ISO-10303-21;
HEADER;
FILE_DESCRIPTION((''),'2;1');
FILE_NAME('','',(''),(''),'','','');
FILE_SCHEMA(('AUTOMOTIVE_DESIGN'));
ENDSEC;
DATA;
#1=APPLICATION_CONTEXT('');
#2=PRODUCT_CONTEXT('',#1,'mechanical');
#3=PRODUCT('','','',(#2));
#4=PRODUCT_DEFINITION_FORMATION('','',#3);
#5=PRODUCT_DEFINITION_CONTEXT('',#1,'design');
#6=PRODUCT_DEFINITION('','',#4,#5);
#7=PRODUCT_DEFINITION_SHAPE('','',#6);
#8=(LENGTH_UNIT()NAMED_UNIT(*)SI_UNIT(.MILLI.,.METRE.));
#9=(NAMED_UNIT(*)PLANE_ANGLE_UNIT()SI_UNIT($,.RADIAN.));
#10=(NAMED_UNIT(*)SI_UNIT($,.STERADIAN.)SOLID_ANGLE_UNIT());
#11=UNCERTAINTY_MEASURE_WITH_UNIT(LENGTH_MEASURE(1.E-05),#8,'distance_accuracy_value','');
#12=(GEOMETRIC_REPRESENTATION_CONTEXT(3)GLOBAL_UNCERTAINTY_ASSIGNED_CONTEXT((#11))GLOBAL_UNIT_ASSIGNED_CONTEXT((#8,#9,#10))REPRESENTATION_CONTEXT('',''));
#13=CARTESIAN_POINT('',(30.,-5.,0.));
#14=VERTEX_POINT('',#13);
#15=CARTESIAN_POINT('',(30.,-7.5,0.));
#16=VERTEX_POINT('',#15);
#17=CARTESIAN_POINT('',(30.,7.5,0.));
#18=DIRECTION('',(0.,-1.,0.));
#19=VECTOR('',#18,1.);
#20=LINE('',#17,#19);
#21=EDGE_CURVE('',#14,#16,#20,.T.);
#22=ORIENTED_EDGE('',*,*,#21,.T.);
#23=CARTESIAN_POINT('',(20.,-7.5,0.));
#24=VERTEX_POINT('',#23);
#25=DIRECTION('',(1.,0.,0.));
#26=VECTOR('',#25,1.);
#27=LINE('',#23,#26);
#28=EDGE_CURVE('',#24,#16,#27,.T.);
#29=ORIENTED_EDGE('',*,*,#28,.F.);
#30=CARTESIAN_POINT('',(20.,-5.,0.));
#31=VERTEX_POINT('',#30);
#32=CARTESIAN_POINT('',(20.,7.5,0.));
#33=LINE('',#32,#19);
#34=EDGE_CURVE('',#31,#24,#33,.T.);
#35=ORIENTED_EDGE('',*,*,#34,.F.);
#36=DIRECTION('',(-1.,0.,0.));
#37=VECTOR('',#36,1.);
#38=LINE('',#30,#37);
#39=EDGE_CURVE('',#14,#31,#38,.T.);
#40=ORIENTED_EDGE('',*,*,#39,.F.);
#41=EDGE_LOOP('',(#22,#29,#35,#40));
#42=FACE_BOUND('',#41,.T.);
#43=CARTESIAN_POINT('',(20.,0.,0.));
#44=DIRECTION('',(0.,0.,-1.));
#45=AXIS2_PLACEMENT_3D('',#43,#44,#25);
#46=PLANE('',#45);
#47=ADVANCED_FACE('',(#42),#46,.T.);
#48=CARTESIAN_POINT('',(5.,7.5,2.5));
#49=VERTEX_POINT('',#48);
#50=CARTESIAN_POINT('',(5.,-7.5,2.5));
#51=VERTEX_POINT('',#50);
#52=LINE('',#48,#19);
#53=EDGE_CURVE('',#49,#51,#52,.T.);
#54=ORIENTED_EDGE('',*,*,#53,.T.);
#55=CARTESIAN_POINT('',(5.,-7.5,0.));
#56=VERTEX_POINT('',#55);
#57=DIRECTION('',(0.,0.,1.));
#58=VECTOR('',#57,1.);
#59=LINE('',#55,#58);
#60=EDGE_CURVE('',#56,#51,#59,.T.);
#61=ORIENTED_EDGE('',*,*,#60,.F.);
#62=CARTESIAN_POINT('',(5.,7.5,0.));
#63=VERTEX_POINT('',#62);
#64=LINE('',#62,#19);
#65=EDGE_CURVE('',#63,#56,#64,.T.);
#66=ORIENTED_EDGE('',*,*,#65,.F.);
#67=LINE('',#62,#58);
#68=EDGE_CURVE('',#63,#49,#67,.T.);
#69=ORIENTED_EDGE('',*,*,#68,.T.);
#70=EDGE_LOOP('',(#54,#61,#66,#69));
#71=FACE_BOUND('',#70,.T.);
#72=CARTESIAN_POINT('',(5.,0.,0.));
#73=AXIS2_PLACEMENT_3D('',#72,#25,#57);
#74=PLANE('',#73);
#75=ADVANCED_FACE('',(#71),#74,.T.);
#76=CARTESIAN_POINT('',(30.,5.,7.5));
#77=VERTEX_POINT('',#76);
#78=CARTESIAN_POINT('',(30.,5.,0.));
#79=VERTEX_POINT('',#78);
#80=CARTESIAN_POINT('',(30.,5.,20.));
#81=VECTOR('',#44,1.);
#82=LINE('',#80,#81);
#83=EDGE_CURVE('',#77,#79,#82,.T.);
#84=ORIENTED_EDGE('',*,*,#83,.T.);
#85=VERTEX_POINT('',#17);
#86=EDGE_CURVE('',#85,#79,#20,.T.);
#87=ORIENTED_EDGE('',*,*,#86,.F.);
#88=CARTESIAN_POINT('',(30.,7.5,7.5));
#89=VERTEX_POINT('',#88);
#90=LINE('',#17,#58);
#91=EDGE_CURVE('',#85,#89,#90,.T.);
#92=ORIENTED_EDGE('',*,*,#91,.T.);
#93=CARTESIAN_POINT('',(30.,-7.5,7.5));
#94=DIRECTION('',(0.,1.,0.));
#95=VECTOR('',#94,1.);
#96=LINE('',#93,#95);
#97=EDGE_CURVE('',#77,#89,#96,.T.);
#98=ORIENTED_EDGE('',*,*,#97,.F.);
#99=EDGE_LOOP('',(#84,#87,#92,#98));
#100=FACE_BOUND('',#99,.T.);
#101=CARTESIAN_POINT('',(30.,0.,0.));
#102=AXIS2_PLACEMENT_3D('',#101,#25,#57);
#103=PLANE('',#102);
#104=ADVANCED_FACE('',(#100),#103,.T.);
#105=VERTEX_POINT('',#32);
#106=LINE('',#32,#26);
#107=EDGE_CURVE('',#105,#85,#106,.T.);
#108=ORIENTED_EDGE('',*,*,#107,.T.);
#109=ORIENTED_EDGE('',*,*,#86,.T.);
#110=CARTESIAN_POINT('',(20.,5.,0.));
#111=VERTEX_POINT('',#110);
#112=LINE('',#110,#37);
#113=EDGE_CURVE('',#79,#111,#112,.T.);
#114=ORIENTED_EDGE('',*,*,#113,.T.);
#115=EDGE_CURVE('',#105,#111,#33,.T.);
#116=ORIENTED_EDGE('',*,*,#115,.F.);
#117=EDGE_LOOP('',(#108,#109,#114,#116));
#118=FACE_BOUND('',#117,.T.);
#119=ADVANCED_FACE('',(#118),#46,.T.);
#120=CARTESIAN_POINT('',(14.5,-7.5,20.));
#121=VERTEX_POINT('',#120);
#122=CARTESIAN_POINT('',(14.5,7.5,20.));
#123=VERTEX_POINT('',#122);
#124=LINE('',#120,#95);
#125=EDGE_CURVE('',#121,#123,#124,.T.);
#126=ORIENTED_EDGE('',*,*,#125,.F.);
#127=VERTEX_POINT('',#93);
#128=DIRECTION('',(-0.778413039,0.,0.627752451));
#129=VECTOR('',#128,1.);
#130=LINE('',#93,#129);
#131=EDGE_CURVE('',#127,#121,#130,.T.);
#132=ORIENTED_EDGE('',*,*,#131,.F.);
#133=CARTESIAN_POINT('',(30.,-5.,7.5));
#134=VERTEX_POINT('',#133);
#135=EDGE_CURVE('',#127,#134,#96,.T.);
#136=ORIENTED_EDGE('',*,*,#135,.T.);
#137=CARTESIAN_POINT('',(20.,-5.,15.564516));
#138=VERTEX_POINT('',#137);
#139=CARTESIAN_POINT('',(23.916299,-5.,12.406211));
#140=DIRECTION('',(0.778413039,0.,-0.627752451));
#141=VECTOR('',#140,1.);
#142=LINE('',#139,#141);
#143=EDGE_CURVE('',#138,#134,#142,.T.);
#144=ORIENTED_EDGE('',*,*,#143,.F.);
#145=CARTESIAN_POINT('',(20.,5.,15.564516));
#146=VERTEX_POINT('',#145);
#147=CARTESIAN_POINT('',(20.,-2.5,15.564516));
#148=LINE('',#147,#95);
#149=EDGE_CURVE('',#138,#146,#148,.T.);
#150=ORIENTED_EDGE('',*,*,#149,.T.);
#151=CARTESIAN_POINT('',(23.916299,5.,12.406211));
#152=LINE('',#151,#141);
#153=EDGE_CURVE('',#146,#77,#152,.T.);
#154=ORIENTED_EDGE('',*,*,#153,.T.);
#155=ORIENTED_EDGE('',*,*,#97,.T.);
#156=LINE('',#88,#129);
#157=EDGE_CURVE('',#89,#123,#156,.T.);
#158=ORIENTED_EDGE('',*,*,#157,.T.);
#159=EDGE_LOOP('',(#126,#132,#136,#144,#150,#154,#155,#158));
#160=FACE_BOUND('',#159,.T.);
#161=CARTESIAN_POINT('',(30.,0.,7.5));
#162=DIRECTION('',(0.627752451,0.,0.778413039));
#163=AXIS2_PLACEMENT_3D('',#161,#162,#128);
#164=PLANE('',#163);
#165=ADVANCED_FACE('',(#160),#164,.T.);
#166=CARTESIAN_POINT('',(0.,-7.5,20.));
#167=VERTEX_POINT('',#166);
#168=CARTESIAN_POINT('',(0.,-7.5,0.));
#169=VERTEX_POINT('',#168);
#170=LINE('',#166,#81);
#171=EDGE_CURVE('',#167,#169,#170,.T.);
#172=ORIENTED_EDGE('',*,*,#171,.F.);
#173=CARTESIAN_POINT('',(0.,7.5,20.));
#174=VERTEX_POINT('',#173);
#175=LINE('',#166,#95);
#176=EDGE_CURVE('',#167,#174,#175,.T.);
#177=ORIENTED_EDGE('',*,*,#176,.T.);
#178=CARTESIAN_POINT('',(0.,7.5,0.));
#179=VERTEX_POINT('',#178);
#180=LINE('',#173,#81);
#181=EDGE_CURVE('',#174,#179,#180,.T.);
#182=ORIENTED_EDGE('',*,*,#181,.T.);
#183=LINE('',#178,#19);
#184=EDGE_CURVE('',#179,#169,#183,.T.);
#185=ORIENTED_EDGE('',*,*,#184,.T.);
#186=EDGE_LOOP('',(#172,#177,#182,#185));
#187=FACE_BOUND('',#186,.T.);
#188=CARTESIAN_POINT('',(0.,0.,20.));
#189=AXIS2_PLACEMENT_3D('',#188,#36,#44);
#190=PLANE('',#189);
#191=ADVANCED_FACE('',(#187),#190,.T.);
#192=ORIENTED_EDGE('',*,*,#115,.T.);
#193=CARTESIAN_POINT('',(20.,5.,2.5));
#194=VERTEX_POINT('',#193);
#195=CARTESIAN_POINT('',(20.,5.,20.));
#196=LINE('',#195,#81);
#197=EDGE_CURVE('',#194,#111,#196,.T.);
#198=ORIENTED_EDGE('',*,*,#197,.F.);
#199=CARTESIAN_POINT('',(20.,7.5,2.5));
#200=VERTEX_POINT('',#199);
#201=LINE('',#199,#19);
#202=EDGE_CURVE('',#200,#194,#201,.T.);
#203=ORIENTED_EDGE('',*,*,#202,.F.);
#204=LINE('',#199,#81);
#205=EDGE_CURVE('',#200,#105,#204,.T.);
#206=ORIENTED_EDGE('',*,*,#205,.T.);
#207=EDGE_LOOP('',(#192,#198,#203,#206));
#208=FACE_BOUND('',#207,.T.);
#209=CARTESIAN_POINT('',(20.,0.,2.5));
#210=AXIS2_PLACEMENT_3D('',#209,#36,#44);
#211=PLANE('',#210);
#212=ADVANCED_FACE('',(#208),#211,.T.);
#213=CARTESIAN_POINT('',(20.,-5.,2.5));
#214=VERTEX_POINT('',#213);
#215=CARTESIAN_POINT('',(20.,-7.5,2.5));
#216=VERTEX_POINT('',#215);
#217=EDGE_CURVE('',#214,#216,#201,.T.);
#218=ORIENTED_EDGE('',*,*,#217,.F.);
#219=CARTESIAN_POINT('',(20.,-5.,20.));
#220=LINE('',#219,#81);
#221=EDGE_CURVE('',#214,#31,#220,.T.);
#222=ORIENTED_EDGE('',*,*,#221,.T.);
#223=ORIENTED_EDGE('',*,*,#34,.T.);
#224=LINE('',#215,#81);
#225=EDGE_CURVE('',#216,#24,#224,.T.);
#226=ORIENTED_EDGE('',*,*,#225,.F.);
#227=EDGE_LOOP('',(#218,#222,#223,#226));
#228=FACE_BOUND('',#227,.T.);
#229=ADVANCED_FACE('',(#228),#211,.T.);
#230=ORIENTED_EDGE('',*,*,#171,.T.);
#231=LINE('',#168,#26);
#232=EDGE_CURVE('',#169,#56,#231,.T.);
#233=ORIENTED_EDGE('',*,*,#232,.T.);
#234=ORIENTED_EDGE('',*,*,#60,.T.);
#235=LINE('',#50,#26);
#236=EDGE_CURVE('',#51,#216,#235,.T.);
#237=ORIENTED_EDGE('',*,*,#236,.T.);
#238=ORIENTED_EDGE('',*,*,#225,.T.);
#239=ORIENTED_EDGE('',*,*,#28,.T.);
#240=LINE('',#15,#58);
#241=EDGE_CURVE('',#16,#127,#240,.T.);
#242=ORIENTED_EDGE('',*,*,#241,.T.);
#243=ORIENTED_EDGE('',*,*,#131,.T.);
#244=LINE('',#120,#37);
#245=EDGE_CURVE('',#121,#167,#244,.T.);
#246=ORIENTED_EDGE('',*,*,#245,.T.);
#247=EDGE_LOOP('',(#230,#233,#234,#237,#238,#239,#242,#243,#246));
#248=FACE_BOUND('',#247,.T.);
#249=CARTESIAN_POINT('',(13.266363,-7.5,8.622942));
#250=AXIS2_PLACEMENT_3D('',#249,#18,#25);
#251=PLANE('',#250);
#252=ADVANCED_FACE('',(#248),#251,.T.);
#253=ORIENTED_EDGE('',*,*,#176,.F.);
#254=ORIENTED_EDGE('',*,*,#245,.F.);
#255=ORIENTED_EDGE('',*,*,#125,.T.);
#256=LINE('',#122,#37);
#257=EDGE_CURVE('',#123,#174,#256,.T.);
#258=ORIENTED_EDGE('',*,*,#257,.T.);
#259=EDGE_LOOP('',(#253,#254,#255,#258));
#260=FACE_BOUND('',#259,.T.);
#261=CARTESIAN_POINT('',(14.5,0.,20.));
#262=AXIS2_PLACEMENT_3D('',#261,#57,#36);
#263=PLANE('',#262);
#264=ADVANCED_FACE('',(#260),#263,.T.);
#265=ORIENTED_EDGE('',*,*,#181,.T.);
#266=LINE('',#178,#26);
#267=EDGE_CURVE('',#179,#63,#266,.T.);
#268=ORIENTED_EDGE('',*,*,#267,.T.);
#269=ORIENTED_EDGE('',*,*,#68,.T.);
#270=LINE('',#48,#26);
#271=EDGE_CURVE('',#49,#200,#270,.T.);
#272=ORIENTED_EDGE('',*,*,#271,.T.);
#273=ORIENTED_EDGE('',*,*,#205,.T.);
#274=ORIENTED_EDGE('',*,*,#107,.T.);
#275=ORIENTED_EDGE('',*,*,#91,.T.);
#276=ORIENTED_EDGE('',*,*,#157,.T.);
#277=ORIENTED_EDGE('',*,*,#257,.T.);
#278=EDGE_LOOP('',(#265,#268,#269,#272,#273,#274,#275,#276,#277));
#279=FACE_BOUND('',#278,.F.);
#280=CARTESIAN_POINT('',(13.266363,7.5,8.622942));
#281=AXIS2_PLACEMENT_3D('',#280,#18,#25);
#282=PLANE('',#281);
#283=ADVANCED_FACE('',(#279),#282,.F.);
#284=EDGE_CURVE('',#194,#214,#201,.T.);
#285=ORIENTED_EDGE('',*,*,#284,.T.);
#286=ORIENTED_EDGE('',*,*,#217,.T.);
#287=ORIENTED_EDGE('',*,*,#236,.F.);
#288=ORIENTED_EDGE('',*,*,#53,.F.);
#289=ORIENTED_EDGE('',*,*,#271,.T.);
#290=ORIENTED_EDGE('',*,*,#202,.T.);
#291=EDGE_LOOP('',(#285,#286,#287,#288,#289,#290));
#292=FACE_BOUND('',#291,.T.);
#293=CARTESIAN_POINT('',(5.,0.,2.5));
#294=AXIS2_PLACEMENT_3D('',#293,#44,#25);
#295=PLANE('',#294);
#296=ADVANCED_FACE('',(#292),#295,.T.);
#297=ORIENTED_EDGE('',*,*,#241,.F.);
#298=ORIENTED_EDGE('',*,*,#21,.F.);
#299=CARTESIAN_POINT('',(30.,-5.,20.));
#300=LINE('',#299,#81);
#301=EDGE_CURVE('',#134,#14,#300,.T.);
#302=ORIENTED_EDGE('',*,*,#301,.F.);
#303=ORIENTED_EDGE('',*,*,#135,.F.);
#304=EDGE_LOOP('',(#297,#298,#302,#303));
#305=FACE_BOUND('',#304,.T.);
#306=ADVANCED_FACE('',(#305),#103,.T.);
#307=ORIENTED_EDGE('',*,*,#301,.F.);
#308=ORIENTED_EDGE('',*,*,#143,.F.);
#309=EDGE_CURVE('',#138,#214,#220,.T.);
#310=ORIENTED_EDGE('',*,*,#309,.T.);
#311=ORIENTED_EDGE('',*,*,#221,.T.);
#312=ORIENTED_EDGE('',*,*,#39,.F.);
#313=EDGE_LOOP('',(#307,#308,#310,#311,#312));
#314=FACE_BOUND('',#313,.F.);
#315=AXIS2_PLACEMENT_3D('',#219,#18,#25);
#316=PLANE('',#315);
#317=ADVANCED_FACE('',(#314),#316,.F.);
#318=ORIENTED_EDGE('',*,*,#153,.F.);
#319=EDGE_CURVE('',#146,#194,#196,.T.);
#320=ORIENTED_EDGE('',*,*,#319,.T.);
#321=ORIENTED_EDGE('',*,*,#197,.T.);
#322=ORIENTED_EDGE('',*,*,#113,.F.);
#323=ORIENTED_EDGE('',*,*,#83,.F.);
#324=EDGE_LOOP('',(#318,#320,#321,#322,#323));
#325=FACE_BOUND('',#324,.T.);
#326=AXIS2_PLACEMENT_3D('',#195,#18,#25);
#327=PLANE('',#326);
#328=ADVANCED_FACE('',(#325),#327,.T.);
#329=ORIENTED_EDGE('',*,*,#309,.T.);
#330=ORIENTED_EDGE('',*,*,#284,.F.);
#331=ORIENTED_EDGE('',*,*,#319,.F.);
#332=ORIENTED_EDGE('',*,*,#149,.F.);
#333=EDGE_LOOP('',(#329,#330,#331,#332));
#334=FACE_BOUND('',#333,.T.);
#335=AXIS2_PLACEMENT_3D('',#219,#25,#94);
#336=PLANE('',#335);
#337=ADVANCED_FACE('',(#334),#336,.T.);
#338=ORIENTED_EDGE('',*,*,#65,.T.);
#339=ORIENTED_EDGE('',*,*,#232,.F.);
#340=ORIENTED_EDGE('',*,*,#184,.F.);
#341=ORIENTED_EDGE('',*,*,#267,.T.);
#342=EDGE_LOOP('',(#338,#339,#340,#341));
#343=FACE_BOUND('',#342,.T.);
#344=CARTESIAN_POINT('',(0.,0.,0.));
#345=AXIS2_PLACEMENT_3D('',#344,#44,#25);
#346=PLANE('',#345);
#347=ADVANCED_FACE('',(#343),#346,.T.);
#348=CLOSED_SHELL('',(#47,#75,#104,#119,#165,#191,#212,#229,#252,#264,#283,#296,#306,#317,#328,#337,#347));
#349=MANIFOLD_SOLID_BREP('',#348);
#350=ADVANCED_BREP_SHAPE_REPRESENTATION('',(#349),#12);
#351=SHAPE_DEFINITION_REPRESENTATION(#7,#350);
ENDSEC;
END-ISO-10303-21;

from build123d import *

# Parameters (mm, degrees)
F1_DEPTH = 7.5
F2_W     = 10
F2_H     = 10
F3_DEPTH = 20.001


with BuildPart() as f1:
    # F0 (on Front) → F1 (new body, symmetric)
    with BuildSketch(Plane.XZ):
        Polygon((0, 20), (0, 0), (5, 0), (5, 2.5), (20, 2.5), (20, 0), (30, 0), (30, 7.5), (14.5, 20), align=None)
    extrude(amount=F1_DEPTH, both=True)

    # F2 (on face) → F3 (cut, through all)
    with BuildSketch(Plane.XY.offset(20)):
        with Locations((25, 0)):
            Rectangle(F2_W, F2_H)
    extrude(amount=-F3_DEPTH, mode=Mode.SUBTRACT)


solid = f1.part
